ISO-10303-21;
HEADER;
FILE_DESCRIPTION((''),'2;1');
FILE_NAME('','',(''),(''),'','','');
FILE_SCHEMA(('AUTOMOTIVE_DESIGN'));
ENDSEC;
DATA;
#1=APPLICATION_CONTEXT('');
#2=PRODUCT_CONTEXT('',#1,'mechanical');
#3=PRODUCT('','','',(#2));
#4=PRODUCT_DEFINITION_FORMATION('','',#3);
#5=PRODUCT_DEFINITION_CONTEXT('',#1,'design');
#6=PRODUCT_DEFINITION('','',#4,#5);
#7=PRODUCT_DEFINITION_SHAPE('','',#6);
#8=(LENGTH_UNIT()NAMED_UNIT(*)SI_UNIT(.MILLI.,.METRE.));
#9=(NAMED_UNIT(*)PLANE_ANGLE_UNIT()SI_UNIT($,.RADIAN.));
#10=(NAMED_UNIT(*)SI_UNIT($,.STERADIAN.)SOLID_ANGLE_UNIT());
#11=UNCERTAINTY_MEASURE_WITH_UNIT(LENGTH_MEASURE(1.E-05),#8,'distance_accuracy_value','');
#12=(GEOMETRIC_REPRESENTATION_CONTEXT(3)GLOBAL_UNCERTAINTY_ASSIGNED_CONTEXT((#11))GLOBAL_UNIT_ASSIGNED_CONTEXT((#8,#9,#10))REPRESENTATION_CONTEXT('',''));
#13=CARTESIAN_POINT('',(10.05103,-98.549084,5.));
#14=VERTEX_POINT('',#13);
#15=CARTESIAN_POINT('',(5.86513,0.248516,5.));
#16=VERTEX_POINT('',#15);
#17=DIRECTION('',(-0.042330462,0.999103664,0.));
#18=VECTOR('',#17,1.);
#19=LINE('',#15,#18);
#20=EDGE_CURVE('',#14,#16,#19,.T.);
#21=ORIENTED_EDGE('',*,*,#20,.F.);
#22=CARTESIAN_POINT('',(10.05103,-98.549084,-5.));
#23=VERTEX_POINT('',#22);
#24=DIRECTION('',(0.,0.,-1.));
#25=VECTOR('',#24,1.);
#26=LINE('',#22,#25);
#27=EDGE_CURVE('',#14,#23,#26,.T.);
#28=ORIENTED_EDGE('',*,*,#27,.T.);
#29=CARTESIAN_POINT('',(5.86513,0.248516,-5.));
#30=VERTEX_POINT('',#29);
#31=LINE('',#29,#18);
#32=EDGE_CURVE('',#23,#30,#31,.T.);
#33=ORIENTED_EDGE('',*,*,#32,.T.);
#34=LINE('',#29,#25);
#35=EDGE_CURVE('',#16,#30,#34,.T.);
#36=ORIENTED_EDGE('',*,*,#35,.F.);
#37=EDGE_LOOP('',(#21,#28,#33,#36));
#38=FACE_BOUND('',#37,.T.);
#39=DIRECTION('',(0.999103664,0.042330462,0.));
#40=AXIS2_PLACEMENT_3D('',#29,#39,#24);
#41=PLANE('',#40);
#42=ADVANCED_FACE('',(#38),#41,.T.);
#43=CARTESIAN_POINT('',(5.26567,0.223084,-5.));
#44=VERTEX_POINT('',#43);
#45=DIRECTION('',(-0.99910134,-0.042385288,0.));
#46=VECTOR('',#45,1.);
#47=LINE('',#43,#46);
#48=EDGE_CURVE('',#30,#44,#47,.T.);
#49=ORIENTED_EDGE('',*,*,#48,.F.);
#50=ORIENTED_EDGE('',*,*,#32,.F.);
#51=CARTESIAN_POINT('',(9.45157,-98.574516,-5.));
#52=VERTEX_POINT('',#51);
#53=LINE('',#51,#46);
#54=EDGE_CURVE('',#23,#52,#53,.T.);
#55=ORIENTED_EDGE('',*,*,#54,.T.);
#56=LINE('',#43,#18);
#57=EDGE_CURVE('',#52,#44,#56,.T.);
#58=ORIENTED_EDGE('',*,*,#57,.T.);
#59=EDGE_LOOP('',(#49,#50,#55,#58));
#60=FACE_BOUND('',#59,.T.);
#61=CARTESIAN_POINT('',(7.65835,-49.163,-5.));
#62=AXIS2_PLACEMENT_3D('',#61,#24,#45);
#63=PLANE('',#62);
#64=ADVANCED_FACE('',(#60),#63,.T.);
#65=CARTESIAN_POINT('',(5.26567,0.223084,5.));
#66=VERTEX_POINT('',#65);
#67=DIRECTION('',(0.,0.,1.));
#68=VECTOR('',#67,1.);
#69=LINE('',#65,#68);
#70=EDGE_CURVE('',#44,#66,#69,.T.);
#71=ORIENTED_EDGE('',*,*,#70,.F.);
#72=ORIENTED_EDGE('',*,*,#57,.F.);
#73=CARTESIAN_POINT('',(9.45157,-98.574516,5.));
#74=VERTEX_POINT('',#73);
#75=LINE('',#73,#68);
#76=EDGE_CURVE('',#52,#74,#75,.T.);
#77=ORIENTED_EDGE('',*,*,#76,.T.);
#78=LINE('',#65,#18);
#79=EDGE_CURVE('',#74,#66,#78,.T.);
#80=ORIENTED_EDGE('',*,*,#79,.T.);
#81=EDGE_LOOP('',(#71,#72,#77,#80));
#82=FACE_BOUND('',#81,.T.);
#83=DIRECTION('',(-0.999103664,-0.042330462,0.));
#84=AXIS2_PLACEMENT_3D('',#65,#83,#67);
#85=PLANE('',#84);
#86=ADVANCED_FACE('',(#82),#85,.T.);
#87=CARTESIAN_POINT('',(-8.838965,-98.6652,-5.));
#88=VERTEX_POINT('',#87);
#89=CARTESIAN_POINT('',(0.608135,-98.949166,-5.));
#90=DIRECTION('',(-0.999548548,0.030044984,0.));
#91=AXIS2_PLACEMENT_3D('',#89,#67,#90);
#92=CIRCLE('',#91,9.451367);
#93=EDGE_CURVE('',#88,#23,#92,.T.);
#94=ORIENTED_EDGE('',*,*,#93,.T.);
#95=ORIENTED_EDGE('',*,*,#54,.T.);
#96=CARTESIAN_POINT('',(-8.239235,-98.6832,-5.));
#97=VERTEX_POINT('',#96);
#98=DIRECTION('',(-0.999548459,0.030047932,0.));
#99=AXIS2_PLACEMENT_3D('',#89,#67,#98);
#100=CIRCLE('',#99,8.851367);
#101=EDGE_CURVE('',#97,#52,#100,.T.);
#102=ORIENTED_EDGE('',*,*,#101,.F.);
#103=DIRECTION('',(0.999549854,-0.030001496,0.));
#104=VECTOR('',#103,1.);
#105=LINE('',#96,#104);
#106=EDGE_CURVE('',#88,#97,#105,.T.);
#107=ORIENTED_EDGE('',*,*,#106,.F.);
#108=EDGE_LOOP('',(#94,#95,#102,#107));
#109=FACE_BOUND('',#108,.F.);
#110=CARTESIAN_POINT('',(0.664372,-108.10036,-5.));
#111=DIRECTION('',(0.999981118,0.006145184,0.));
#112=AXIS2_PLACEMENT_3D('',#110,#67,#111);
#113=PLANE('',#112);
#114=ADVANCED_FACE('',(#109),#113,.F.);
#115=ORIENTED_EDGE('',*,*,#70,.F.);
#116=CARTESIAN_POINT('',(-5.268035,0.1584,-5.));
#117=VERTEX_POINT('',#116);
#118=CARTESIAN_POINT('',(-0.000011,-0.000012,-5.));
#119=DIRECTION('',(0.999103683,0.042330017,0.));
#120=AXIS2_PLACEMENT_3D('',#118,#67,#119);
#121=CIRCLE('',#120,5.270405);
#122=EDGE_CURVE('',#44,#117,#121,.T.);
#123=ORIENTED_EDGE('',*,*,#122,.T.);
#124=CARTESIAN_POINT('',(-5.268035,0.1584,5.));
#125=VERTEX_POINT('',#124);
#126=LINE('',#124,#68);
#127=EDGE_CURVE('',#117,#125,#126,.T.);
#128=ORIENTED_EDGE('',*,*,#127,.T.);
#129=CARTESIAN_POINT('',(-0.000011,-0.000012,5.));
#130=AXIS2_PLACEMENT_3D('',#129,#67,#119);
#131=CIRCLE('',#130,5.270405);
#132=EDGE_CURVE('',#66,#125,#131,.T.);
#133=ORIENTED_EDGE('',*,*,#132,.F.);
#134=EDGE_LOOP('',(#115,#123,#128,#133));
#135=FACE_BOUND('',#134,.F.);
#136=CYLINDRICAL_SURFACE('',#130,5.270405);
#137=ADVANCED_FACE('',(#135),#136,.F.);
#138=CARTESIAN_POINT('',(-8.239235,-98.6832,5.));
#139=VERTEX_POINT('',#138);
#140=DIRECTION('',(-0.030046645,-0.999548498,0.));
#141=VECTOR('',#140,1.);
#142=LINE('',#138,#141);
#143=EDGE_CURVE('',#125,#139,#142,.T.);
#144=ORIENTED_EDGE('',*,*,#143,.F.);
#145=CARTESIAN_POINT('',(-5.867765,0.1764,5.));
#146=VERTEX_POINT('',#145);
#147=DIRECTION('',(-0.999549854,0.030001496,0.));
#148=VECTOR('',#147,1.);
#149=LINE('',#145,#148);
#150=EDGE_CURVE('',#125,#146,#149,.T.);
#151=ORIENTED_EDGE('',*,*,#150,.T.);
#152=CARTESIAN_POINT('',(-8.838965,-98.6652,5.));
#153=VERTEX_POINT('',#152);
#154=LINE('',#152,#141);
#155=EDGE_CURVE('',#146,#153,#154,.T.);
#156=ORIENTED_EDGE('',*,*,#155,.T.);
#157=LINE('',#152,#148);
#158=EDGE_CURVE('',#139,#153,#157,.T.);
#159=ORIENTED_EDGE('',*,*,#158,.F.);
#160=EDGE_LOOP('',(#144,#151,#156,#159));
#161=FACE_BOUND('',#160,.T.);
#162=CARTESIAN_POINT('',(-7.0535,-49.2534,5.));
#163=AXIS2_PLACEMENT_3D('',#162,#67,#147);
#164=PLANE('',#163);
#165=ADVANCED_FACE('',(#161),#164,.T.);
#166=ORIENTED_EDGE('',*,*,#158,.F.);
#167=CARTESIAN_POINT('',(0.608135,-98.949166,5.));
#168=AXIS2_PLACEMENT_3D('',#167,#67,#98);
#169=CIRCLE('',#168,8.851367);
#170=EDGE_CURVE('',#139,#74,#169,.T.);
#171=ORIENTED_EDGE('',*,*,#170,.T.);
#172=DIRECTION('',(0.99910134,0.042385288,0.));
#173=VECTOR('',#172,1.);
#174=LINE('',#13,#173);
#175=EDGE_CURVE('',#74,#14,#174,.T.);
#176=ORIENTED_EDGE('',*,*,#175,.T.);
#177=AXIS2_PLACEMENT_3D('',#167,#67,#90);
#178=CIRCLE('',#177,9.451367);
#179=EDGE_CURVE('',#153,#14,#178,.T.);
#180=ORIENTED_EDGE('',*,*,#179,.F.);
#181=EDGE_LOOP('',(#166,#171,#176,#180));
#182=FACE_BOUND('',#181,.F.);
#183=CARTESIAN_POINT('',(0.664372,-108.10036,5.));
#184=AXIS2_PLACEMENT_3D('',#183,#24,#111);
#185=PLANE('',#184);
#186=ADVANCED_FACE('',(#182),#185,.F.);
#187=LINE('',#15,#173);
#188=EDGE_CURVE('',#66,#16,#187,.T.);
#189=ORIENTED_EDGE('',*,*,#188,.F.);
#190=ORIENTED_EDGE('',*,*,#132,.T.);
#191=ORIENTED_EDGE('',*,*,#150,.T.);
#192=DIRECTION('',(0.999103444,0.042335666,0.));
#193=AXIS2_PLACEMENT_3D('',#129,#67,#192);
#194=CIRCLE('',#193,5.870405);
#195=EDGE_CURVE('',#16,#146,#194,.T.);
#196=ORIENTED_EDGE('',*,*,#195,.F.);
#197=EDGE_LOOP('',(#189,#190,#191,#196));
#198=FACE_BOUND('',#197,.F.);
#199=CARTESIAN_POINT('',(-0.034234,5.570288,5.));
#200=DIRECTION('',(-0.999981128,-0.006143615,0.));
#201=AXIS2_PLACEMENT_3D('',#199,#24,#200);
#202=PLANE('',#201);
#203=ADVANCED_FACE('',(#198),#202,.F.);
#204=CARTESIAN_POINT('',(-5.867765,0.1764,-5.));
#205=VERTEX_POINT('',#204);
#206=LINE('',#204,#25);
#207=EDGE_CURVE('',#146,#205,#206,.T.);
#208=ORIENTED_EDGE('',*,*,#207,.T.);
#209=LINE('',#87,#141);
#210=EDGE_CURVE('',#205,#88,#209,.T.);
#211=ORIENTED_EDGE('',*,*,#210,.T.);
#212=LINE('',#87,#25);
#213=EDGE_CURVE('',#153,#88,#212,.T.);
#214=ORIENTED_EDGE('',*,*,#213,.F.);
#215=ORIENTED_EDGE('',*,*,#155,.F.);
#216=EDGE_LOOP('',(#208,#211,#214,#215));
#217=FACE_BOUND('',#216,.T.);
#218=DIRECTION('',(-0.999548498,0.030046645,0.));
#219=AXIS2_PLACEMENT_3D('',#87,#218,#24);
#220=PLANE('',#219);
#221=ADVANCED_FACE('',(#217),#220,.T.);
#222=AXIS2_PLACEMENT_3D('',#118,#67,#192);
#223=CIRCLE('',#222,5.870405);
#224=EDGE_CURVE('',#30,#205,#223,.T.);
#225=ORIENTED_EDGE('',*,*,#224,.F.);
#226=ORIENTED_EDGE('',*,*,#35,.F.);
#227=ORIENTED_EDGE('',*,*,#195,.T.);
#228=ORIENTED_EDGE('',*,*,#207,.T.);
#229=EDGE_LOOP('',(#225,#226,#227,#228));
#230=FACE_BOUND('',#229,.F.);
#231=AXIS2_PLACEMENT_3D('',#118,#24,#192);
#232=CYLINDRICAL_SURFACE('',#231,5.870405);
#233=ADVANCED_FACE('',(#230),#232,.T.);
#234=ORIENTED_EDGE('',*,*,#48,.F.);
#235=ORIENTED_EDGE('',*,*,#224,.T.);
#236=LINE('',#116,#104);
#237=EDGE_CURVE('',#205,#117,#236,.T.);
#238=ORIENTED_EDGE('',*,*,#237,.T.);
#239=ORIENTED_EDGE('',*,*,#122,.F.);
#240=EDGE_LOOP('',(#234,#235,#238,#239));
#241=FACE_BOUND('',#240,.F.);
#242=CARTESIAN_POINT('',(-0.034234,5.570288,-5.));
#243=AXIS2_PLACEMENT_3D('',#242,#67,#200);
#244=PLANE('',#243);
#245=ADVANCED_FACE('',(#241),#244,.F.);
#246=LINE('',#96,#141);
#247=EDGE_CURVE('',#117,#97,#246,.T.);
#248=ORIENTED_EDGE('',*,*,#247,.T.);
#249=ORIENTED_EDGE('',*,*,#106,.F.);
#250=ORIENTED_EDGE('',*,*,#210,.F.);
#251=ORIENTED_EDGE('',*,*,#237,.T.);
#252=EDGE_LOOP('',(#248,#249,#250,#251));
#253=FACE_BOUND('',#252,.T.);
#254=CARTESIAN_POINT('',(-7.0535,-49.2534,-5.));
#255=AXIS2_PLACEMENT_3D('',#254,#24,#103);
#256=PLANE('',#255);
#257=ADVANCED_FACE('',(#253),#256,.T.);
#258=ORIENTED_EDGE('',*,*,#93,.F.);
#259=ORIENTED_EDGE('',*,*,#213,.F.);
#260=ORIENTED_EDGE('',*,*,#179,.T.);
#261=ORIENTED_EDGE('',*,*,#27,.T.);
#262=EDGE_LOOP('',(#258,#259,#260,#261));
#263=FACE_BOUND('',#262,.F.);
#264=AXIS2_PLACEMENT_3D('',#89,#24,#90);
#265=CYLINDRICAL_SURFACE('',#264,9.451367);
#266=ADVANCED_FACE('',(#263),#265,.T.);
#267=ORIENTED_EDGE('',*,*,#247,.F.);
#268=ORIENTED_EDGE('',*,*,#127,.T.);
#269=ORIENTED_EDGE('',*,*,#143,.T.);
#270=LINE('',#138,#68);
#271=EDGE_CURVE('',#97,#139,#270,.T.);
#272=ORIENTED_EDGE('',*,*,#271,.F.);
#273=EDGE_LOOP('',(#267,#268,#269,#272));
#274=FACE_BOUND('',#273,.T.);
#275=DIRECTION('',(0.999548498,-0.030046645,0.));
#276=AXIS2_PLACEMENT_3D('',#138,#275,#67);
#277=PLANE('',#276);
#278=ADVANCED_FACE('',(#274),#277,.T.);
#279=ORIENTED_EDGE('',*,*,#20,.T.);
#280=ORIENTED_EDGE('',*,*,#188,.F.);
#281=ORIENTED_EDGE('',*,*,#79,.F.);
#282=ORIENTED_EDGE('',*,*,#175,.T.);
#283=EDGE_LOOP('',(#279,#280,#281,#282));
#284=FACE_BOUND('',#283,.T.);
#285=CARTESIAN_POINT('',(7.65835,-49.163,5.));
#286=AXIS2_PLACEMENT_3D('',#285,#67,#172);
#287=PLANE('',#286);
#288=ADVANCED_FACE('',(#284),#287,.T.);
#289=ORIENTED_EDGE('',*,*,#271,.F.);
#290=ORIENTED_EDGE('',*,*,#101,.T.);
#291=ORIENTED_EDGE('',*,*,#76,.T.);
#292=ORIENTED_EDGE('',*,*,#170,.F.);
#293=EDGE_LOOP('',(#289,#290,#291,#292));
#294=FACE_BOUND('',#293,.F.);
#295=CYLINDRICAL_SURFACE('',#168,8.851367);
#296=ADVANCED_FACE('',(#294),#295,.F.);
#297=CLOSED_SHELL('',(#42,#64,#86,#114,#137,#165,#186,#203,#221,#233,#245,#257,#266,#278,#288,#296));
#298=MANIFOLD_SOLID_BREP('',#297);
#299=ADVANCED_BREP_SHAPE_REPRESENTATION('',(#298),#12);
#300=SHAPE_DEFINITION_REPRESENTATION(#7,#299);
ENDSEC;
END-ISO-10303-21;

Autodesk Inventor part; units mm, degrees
sketch "Skizzenpfad" plane through (0, 0, 0) normal (0, 0, 1) x (1, 0, 0)
  arc A0 (5.5654, 0.2358) -> (-5.5679, 0.1674) centre (0, 0) ccw
  arc A1 (-8.5391, -98.6742) -> (9.7513, -98.5618) centre (0.6081, -98.9492) ccw
  line L0 (-8.5391, -98.6742) -> (-5.5679, 0.1674)
  line L1 (5.5654, 0.2358) -> (9.7513, -98.5618)
ref_plane "Querschnittsebene" through (-5.5679, 0.1674, 0) normal (-0.03, -0.9995, 0) x (0, 0, 1)
ref_plane "Arbeitsebene2" through (0, 0, 0) normal (-1, 0, 0) x (0, 0, 1)
ref_plane "Arbeitsebene3" through (0.6081, -98.9492, 0) normal (-0.0315, 0.9995, 0) x (0, 0, 1)
sketch "Querschnitt" plane through (-5.5679, 0.1674, 0) normal (-0.03, -0.9995, 0) x (0, 0, 1)
  line L0 (-5, 0.3) -> (5, 0.3)
  line L1 (5, 0.3) -> (5, -0.3)
  line L2 (5, -0.3) -> (-5, -0.3)
  line L3 (-5, -0.3) -> (-5, 0.3)
  line L4 (-5, 0) -> (5, 0) construction
  point P0 (0, 0)
  point P1 (0, 0)
  dimension "d0" = 10
  dimension "d4" = 0.3
  dimension "d5" = 0.3
sweep "Riemen" add profiles "Querschnitt" path "Skizzenpfad"
equation "\"d0\" = da_B"
equation "\"d4\" = da_a"
equation "\"d5\" = da_a2"
equation "\"da_B\" = 10"
equation "\"da_pb\" = 2.5"
equation "\"da_L\" = 244.28178"
equation "\"da_a\" = 0.3"
equation "\"da_S\" = 1.5"
equation "\"da_Beta\" = 20deg"
equation "\"da_Ht\" = 0.7"
equation "\"da_H\" = 1.3"
equation "\"da_a2\" = 0.3"
properties part number "Zahnriemen" material "Rubber"
